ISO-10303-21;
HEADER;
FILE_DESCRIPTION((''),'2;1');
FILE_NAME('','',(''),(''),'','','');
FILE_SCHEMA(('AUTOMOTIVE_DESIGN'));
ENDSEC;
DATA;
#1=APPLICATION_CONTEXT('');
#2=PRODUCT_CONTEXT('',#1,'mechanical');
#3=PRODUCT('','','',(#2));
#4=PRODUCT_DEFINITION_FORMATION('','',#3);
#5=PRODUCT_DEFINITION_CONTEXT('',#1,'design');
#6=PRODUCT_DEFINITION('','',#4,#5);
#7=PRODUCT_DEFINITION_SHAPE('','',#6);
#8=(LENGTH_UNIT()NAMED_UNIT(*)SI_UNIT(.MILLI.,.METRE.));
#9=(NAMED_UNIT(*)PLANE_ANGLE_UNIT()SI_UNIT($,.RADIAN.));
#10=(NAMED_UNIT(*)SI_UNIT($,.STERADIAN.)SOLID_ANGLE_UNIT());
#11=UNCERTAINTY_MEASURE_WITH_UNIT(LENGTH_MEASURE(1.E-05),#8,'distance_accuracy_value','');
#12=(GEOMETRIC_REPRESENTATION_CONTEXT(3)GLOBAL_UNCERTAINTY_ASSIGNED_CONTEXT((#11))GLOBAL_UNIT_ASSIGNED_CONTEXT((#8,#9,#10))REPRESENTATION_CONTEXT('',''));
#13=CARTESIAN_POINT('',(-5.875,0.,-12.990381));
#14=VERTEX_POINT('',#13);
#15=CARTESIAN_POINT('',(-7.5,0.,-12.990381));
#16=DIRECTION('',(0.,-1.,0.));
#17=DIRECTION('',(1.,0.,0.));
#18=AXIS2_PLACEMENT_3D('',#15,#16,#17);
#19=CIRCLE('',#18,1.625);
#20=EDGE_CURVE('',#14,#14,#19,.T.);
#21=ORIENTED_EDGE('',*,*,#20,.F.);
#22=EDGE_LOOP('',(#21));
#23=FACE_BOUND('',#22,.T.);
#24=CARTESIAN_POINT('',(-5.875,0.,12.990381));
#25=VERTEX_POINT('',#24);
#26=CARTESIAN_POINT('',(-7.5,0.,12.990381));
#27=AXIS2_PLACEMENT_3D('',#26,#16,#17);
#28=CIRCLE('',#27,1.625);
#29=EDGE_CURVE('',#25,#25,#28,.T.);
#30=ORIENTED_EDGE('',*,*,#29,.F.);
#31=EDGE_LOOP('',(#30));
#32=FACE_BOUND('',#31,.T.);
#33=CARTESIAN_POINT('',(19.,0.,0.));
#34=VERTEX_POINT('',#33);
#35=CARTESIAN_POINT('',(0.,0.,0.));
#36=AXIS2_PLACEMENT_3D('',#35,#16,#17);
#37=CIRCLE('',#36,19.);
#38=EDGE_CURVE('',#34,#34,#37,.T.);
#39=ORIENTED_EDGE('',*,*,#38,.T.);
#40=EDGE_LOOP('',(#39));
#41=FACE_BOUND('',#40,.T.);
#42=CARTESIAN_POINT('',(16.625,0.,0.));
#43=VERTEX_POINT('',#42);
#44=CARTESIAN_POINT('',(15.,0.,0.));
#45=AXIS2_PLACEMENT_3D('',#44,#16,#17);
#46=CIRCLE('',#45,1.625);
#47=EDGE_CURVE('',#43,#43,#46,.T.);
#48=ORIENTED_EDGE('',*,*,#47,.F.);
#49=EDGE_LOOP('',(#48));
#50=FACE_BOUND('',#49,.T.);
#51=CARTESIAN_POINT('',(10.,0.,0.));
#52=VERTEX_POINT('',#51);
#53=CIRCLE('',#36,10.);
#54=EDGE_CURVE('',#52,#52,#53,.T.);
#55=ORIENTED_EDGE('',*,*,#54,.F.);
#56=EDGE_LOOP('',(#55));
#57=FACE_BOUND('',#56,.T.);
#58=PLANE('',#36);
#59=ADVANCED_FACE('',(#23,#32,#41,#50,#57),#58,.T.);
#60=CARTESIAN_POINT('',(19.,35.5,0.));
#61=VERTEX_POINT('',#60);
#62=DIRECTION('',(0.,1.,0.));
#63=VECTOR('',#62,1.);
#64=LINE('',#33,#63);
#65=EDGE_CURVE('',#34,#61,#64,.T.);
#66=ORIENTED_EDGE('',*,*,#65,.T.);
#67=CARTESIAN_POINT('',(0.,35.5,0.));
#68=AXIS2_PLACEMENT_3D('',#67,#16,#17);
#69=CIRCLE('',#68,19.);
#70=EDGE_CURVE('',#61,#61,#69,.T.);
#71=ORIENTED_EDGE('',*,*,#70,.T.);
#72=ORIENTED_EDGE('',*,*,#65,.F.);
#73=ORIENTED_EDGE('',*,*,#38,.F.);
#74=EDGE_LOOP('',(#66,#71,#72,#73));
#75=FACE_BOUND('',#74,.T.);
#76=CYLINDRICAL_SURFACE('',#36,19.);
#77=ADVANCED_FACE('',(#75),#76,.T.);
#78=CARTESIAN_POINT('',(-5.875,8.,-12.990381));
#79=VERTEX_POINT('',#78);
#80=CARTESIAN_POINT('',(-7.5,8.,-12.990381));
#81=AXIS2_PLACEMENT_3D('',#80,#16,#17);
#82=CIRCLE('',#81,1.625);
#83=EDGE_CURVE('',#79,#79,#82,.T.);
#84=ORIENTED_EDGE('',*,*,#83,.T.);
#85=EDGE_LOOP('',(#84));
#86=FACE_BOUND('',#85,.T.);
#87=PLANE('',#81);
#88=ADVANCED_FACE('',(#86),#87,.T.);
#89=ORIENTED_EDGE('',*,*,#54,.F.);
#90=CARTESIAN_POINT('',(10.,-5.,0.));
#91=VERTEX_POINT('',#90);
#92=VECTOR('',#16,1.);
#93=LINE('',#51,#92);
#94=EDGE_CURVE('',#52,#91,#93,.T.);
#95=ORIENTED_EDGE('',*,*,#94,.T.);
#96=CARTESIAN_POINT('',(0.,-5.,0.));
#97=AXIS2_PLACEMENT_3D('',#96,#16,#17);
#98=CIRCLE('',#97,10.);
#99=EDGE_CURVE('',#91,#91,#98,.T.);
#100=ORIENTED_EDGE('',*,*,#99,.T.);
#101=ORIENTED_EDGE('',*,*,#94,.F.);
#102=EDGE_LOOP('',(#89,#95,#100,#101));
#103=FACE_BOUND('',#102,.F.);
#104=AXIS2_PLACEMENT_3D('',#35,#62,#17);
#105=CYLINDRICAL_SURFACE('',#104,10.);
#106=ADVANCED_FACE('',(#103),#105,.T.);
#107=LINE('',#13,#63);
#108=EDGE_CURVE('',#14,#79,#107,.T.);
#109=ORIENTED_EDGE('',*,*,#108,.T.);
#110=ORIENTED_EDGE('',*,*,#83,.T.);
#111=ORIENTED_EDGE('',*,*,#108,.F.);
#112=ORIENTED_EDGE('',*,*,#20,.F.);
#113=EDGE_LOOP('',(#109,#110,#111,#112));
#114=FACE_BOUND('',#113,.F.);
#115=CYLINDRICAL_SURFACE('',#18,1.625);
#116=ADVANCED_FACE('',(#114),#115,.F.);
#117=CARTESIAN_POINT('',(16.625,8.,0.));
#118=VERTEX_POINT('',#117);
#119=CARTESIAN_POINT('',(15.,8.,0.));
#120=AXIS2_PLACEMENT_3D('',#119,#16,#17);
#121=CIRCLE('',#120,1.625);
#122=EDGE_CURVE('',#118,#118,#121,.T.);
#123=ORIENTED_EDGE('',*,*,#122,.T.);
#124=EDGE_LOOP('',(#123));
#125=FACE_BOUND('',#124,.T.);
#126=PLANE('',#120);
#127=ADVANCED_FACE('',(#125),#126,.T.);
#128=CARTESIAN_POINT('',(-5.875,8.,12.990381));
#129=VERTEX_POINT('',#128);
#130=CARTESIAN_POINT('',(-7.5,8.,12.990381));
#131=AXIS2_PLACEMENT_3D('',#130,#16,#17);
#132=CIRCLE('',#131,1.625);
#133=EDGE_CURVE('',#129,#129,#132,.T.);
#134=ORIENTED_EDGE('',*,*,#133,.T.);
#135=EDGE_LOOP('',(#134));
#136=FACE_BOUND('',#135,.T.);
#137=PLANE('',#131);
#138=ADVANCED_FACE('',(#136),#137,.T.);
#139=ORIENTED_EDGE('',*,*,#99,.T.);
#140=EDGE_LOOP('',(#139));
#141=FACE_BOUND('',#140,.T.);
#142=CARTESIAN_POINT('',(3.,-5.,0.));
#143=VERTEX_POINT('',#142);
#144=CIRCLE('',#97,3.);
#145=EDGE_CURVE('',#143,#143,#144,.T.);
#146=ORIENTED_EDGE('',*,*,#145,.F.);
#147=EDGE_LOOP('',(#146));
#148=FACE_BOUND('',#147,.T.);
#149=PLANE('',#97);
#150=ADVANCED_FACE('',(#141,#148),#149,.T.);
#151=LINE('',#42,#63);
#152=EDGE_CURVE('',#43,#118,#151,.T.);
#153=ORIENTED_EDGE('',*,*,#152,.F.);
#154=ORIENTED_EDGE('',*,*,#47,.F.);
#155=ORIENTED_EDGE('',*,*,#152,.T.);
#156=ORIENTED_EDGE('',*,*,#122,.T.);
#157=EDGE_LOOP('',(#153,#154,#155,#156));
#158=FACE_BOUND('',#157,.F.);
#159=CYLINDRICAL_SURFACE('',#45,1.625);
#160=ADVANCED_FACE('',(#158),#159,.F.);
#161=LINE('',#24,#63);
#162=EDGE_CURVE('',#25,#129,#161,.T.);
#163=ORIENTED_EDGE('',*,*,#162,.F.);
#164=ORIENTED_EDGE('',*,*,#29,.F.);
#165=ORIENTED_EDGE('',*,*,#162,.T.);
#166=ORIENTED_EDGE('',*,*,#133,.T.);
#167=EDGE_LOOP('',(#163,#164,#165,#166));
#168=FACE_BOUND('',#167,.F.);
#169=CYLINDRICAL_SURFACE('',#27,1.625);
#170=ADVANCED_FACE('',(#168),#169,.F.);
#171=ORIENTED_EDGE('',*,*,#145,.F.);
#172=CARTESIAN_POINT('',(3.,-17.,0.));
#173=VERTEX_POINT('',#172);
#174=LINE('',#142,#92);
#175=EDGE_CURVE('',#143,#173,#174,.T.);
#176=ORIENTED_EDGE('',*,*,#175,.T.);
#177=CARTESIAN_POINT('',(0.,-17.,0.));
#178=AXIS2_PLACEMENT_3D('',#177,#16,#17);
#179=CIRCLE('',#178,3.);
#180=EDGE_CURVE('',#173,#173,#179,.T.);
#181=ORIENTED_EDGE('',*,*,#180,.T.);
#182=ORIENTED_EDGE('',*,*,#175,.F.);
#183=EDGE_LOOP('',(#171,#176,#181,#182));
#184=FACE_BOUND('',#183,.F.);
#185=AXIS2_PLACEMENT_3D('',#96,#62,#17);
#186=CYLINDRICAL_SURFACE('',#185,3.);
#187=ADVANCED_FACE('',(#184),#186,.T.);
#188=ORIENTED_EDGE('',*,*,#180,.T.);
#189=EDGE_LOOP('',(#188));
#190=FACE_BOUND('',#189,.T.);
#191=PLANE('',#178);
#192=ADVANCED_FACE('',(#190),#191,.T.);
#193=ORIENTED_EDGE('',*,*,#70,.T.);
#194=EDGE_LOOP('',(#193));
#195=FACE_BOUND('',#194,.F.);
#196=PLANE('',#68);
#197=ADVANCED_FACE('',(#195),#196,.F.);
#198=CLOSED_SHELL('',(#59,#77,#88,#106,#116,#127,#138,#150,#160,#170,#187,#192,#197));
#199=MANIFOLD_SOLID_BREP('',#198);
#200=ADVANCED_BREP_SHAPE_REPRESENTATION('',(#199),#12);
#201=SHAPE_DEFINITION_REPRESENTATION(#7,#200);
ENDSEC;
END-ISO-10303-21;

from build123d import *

# Parameters (mm, degrees)
F1_R     = 19
F2_DEPTH = 35.5
F0_R     = 1.625
F3_DEPTH = 8
F4_R     = 10
F5_DEPTH = 5
F6_R     = 3
F7_DEPTH = 12


with BuildPart() as f2:
    # F1 (on Front) → F2 (new body)
    with BuildSketch(Plane.XZ):
        Circle(F1_R)
    extrude(amount=-F2_DEPTH)

    # F0 (on Front) → F3 (cut)
    with BuildSketch(Plane.XZ):
        with Locations((15, 0)):
            Circle(F0_R)
        with Locations((-7.5, 12.990381)):
            Circle(F0_R)
        with Locations((-7.5, -12.990381)):
            Circle(F0_R)
    extrude(amount=-F3_DEPTH, mode=Mode.SUBTRACT)

    # F4 (on face) → F5 (join)
    with BuildSketch(Plane.XZ):
        Circle(F4_R)
    extrude(amount=F5_DEPTH)

    # F6 (on face) → F7 (join)
    with BuildSketch(Plane.XZ.offset(5)):
        Circle(F6_R)
    extrude(amount=F7_DEPTH)


solid = f2.part
